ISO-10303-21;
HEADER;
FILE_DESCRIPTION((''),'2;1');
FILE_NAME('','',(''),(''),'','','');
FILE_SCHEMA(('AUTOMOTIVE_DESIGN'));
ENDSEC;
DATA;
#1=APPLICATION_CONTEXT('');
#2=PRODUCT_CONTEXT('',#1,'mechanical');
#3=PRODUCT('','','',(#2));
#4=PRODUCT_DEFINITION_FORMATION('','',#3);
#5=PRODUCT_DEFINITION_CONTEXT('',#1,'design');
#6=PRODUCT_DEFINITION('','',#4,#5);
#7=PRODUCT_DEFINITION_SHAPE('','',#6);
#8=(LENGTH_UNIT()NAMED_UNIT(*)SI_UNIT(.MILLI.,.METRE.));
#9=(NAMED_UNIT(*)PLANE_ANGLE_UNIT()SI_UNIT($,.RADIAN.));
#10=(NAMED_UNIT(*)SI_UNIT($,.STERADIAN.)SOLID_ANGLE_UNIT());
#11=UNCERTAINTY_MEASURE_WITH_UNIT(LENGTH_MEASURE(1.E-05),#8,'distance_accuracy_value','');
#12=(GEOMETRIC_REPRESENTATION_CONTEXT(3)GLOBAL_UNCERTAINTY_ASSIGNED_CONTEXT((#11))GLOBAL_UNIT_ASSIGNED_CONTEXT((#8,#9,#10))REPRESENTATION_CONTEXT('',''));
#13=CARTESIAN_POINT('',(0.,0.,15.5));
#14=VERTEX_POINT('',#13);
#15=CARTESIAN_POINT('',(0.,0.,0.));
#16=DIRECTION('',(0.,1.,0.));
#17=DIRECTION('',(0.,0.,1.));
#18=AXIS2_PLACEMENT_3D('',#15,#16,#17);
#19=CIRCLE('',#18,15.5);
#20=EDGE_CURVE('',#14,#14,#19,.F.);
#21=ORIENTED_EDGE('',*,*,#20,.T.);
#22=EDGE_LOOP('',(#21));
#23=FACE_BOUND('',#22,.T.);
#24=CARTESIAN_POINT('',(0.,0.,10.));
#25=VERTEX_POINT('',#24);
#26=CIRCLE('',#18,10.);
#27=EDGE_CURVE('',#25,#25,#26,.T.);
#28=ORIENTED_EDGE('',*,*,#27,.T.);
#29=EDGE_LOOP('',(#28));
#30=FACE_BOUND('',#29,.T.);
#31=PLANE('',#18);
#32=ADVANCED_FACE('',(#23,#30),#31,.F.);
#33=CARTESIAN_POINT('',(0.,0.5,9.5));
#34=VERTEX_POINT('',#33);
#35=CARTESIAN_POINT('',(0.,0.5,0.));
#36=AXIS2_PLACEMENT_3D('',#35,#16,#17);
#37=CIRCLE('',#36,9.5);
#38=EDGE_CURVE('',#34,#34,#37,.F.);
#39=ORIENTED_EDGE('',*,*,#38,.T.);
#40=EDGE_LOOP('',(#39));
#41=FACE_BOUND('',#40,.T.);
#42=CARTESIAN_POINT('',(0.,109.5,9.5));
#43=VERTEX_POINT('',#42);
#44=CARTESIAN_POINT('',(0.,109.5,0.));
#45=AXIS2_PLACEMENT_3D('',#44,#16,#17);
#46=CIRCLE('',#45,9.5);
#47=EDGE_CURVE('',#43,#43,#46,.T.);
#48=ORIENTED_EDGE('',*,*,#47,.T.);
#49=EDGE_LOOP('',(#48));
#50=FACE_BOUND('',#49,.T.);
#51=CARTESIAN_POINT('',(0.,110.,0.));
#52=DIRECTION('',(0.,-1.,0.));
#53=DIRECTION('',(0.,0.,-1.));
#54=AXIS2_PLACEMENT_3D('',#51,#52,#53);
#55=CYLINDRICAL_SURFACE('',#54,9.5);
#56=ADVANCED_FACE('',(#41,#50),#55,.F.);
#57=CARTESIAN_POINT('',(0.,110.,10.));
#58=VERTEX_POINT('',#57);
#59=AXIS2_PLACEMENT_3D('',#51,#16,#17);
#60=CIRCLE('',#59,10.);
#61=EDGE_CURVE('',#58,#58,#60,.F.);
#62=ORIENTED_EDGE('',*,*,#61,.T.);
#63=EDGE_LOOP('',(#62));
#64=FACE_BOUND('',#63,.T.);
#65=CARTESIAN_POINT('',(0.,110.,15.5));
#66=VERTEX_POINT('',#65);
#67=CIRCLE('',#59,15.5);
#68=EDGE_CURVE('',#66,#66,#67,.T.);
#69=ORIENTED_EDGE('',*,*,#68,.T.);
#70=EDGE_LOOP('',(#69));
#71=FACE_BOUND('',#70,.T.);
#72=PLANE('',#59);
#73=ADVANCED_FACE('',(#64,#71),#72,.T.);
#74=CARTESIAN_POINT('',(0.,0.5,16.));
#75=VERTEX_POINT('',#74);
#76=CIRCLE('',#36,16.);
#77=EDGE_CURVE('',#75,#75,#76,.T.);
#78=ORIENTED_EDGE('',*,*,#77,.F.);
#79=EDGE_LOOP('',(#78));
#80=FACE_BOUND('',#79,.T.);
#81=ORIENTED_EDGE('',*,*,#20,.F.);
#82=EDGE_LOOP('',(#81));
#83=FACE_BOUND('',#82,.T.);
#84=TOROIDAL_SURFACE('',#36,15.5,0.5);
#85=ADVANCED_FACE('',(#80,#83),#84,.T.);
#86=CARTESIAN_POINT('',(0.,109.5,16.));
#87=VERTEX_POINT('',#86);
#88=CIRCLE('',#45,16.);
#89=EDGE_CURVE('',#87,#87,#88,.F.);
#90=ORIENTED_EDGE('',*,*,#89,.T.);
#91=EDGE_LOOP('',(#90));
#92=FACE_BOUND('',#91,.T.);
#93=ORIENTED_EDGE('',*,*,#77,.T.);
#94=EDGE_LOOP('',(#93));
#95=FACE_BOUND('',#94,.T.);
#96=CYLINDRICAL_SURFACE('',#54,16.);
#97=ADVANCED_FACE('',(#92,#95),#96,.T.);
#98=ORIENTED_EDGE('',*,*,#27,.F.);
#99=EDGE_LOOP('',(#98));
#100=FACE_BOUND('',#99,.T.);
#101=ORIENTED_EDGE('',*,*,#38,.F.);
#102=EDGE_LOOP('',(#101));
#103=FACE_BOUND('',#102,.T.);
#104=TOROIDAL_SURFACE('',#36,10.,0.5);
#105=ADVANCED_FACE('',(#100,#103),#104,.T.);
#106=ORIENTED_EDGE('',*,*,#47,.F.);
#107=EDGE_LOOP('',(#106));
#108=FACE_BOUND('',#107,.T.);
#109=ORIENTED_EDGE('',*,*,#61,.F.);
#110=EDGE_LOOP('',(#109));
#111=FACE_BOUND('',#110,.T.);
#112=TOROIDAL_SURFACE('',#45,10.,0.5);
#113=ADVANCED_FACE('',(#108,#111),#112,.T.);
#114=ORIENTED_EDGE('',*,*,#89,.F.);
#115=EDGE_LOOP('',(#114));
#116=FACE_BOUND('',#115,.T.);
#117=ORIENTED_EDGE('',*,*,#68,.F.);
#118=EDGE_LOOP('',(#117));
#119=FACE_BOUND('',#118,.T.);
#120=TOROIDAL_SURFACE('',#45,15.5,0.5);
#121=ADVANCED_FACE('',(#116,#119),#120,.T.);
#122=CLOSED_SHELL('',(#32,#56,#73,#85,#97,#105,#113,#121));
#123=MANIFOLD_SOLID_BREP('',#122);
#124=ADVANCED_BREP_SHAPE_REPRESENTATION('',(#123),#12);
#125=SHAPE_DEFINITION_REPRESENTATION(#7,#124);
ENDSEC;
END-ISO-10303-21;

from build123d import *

# Parameters (mm, degrees)
SKETCH1_R           = 16
SKETCH1_R_2         = 9.5
BOSS_EXTRUDE1_DEPTH = 110
FILLET1_R           = 0.5


with BuildPart() as part:
    # Sketch1 → Boss-Extrude1 (new body)
    with BuildSketch(Plane(origin=(0, 0, 0), x_dir=(1, 0, 0), z_dir=(0, 1, 0))):
        with Locations(Location((0, 0, 0), (0, 0, 270))):
            Circle(SKETCH1_R)
        with Locations(Location((0, 0, 0), (0, 0, 270))):
            Circle(SKETCH1_R_2, mode=Mode.SUBTRACT)
    extrude(amount=BOSS_EXTRUDE1_DEPTH)

    # Fillet1
    fillet1_edges = [part.edges().sort_by_distance(p)[0] for p in [
        (0, 110, -16),
        (0, 0, -16),
        (0, 0, -9.5),
        (0, 110, -9.5),
    ]]
    fillet(fillet1_edges, radius=FILLET1_R)


solid = part.part
